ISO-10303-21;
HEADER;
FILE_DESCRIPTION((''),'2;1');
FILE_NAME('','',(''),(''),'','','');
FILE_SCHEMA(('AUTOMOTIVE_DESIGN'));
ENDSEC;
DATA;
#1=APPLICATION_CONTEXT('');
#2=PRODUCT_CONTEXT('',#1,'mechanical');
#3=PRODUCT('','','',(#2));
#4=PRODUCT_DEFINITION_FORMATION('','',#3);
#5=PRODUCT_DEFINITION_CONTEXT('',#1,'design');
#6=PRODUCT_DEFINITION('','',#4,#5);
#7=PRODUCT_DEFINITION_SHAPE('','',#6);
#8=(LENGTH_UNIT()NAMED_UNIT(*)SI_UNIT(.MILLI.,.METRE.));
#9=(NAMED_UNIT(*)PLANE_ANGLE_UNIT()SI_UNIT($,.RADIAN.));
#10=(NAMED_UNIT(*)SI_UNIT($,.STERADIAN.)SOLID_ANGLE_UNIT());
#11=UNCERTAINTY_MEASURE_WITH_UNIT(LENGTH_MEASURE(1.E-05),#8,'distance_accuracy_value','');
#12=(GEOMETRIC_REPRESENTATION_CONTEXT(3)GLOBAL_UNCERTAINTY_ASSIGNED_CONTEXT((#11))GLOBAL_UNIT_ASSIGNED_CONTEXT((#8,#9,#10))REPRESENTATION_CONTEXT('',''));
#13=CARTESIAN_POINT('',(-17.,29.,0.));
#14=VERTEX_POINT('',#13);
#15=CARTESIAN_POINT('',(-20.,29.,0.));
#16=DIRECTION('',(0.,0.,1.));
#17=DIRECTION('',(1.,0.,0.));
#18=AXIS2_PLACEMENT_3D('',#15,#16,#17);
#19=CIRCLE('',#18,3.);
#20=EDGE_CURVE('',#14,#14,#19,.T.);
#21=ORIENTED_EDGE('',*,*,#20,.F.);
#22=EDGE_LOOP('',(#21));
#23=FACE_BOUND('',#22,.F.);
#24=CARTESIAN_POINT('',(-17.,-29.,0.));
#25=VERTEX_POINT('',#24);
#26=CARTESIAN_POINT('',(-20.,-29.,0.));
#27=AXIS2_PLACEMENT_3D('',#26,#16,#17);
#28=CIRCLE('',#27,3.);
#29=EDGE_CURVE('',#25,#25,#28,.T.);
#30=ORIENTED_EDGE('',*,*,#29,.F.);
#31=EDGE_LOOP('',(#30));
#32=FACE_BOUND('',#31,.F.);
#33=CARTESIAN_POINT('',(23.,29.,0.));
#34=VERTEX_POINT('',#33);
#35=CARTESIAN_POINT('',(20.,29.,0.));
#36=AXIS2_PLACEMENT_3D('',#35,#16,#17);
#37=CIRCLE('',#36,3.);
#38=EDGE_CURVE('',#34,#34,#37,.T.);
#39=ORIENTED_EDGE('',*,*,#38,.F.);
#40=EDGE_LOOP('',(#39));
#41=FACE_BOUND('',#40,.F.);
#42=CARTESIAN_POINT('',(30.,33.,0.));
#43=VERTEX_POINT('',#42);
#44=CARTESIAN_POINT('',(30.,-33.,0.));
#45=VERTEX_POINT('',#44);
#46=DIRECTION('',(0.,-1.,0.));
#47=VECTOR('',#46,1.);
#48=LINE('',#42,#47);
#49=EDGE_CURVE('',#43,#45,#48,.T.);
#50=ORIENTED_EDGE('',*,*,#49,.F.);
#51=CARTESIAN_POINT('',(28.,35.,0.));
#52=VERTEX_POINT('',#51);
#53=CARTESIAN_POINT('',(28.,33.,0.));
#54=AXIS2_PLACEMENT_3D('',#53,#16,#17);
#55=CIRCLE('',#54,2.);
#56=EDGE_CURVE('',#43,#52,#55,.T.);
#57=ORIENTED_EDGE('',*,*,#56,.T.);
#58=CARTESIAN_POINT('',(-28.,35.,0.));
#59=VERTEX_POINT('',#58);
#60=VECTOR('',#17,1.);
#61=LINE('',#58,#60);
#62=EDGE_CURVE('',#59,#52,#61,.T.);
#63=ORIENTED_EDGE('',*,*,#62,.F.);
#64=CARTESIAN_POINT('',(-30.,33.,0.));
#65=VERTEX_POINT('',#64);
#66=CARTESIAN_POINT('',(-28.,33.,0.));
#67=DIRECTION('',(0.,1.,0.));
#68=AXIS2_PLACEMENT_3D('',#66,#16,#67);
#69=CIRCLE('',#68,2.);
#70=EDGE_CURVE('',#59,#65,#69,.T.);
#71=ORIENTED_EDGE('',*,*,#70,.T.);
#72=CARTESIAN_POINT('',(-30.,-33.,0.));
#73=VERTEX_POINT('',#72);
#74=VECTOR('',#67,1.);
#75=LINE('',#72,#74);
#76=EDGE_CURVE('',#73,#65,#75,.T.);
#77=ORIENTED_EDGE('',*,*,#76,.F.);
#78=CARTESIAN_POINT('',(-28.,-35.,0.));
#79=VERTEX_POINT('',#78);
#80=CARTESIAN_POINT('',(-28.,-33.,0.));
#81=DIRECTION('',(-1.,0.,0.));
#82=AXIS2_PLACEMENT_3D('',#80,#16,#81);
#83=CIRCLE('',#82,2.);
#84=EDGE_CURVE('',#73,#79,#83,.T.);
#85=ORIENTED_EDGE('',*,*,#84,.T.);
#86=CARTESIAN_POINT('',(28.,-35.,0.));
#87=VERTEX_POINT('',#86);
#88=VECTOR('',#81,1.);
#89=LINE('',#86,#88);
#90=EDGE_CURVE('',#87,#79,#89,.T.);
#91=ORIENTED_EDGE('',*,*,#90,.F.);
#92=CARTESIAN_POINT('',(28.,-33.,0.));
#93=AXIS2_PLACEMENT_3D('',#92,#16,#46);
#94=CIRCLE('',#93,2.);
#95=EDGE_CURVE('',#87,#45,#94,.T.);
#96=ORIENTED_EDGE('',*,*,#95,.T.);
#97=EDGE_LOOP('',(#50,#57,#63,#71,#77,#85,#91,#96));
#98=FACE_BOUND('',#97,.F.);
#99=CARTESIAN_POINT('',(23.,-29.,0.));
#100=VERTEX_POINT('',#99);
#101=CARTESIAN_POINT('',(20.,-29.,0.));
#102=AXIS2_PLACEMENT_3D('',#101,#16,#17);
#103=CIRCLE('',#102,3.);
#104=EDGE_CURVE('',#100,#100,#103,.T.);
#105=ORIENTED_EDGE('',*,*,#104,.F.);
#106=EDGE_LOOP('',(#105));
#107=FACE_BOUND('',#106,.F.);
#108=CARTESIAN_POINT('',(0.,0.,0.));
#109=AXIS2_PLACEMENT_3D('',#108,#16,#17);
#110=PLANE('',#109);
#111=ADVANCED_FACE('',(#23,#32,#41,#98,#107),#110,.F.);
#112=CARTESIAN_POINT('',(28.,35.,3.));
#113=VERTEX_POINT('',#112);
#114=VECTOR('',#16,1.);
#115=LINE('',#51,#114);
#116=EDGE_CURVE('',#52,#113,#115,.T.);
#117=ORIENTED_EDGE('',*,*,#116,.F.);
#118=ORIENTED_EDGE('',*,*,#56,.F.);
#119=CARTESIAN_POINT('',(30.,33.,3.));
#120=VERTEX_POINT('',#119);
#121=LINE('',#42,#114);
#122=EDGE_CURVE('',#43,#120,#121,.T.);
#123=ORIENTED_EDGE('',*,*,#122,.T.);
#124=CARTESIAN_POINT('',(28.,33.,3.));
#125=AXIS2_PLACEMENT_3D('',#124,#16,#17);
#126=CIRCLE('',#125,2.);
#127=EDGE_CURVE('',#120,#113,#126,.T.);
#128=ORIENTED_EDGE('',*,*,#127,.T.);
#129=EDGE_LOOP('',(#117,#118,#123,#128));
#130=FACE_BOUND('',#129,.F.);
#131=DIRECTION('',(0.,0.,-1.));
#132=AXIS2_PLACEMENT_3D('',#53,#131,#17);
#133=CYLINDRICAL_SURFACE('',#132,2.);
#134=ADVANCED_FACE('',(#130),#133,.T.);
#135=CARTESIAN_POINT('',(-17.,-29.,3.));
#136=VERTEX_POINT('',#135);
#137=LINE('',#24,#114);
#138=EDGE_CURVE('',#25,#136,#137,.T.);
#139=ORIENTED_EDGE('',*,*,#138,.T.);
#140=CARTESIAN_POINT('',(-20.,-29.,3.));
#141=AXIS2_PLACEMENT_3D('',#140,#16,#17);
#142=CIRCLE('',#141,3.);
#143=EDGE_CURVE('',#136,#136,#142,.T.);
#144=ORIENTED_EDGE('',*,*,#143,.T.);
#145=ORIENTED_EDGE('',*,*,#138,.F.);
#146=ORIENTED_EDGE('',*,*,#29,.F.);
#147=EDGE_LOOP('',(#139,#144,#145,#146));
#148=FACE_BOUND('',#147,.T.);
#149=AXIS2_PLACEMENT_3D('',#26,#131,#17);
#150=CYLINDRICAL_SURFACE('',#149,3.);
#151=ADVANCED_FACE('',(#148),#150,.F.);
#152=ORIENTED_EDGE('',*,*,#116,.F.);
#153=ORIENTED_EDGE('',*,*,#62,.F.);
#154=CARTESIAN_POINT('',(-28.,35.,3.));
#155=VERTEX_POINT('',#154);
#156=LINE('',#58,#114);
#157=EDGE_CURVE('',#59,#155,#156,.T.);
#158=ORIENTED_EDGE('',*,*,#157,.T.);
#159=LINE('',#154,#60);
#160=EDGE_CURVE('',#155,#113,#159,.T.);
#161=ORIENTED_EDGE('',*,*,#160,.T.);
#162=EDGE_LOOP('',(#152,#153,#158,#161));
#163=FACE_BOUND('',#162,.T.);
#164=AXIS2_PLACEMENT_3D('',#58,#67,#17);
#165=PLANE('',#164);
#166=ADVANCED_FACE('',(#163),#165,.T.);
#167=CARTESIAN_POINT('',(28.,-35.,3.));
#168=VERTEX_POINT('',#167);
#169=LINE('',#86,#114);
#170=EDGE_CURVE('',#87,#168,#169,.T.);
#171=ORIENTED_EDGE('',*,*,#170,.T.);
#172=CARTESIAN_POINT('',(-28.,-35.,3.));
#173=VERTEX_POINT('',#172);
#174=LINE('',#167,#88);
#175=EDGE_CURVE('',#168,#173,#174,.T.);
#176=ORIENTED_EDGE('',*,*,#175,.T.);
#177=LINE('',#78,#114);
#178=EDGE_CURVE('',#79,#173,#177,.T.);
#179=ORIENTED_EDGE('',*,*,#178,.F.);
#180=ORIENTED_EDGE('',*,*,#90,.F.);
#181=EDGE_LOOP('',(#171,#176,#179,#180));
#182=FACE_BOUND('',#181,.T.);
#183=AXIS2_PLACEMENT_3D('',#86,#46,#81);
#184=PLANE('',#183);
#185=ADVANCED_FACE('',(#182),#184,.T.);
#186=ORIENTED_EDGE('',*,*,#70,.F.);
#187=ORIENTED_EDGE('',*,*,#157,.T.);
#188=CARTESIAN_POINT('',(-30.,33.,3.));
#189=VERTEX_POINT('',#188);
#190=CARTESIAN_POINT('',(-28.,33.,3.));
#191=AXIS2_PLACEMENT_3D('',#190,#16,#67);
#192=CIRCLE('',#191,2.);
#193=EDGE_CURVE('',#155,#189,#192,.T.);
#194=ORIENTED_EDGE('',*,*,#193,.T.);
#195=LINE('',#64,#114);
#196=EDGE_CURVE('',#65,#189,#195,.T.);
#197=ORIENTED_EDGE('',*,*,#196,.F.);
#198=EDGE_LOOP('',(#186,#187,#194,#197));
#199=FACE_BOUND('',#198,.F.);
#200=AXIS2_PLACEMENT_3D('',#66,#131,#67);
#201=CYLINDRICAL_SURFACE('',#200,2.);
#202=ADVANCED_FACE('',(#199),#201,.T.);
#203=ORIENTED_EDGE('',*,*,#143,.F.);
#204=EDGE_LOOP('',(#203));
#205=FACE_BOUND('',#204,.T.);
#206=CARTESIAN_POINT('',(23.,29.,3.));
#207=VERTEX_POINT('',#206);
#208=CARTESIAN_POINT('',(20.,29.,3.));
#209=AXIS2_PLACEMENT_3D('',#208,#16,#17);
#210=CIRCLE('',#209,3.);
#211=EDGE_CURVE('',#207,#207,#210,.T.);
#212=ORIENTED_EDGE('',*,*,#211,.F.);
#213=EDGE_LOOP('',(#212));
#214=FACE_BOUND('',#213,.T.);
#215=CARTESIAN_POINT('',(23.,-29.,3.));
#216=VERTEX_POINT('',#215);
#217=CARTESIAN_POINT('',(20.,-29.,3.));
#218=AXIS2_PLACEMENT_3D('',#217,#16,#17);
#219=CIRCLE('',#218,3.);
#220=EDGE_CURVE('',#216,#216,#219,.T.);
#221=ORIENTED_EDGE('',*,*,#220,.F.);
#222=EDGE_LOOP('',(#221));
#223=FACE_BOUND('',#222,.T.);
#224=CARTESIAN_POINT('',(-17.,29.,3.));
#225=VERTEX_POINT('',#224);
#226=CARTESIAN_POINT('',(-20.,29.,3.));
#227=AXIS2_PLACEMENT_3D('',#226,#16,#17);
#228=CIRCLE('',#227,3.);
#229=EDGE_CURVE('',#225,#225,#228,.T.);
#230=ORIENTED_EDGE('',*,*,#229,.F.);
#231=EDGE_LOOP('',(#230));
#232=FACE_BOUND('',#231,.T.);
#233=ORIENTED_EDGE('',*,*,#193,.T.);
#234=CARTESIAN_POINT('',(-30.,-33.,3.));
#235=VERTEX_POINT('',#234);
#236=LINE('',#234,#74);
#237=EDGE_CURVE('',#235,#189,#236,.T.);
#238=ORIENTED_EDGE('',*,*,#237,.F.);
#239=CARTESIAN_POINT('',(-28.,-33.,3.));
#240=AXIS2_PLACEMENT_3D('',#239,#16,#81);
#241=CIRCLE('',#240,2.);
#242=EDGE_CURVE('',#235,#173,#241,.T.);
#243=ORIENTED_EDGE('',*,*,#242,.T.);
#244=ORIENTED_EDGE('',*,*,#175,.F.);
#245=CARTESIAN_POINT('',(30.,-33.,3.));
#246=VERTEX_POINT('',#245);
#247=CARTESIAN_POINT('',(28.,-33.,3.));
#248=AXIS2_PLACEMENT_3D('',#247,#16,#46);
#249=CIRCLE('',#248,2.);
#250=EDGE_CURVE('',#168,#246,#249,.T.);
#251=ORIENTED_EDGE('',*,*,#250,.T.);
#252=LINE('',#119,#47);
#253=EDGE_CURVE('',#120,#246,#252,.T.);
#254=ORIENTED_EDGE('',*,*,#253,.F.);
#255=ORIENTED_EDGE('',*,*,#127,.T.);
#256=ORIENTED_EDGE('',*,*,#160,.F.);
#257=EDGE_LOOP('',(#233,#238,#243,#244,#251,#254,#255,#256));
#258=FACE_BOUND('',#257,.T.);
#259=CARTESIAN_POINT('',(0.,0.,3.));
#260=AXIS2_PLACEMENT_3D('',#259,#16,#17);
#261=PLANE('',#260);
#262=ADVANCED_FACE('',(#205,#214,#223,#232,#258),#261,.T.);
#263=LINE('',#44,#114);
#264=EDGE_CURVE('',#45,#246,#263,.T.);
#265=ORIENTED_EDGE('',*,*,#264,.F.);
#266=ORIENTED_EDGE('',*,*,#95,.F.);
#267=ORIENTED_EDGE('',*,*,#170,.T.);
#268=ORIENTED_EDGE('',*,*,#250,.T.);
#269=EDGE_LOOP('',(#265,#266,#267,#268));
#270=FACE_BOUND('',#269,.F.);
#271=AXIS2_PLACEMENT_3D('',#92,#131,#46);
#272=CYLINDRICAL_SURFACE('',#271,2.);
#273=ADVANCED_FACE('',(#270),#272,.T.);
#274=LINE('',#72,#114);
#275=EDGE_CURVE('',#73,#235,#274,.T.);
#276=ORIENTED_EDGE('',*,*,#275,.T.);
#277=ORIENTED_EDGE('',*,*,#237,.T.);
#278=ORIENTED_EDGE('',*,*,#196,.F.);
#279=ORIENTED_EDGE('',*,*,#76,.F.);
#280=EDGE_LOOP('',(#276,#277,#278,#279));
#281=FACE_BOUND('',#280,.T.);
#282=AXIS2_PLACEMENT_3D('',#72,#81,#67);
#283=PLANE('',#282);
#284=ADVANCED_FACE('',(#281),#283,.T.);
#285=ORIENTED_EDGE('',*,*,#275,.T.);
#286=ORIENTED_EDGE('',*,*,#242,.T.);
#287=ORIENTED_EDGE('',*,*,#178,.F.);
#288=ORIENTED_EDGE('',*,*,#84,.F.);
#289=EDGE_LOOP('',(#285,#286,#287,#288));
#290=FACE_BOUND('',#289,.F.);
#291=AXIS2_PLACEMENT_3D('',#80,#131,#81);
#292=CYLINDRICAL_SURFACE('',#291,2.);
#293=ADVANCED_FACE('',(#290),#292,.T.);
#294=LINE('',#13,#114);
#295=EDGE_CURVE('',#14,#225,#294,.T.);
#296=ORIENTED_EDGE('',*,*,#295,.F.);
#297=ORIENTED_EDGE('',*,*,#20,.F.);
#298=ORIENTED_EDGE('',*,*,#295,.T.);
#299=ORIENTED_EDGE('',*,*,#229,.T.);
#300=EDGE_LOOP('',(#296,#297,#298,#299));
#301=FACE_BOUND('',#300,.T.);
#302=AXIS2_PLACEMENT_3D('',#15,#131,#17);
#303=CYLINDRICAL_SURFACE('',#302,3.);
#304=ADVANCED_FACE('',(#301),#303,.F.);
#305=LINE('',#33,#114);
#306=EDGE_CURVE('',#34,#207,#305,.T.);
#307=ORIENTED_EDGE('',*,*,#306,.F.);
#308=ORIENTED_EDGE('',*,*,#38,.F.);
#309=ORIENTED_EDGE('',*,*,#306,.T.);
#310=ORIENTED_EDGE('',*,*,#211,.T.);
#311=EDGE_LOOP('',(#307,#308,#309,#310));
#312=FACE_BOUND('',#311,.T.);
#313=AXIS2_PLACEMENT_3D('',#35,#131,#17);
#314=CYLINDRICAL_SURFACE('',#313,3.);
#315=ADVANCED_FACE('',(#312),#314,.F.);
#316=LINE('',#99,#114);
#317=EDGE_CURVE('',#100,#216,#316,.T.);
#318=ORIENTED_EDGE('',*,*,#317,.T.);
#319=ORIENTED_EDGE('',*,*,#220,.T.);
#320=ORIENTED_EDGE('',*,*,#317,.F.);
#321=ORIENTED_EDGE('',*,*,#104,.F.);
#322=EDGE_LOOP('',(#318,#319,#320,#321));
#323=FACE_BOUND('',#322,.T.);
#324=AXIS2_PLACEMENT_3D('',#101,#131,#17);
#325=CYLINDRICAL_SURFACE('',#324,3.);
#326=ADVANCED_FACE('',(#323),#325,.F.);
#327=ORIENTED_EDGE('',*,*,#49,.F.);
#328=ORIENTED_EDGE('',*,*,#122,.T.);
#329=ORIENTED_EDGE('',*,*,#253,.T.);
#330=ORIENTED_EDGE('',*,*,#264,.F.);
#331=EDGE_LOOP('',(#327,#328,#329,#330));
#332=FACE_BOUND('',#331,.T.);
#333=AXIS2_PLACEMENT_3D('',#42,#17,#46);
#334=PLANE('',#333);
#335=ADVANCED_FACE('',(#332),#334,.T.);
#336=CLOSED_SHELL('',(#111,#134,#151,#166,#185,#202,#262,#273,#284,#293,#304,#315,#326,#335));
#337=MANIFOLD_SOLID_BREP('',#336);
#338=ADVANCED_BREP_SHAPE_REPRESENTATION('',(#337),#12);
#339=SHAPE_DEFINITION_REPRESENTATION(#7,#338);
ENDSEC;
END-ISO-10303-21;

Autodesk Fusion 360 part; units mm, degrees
sketch "Sketch1" plane through (0, 0, 0) normal (0, 0, 1) x (1, 0, 0)
  line L0 (28, -35) -> (-28, -35)
  line L1 (-30, -33) -> (-30, 33)
  line L2 (-28, 35) -> (28, 35)
  line L3 (30, 33) -> (30, -33)
  line L4 (30, -35) -> (-30, 35) construction
  line L5 (-30, -35) -> (30, 35) construction
  arc A0 (-28, 35) -> (-30, 33) centre (-28, 33) ccw
  arc A1 (30, 33) -> (28, 35) centre (28, 33) ccw
  arc A2 (28, -35) -> (30, -33) centre (28, -33) ccw
  arc A3 (-30, -33) -> (-28, -35) centre (-28, -33) ccw
  circle A4 centre (-20, -29) radius 3
  line L6 (0, 0) -> (0, -32) construction
  line L7 (0, 0) -> (-27.3192, 0) construction
  circle A5 centre (20, -29) radius 3
  circle A6 centre (-20, 29) radius 3
  circle A7 centre (20, 29) radius 3
  dimension "d1" = 60
  dimension "d2" = 70
  dimension "d3" = 2
  dimension "d4" = 6
  dimension "d5" = 10
  dimension "d6" = 6
extrude "Extrude1" add sketch "Sketch1" along normal blind 3
